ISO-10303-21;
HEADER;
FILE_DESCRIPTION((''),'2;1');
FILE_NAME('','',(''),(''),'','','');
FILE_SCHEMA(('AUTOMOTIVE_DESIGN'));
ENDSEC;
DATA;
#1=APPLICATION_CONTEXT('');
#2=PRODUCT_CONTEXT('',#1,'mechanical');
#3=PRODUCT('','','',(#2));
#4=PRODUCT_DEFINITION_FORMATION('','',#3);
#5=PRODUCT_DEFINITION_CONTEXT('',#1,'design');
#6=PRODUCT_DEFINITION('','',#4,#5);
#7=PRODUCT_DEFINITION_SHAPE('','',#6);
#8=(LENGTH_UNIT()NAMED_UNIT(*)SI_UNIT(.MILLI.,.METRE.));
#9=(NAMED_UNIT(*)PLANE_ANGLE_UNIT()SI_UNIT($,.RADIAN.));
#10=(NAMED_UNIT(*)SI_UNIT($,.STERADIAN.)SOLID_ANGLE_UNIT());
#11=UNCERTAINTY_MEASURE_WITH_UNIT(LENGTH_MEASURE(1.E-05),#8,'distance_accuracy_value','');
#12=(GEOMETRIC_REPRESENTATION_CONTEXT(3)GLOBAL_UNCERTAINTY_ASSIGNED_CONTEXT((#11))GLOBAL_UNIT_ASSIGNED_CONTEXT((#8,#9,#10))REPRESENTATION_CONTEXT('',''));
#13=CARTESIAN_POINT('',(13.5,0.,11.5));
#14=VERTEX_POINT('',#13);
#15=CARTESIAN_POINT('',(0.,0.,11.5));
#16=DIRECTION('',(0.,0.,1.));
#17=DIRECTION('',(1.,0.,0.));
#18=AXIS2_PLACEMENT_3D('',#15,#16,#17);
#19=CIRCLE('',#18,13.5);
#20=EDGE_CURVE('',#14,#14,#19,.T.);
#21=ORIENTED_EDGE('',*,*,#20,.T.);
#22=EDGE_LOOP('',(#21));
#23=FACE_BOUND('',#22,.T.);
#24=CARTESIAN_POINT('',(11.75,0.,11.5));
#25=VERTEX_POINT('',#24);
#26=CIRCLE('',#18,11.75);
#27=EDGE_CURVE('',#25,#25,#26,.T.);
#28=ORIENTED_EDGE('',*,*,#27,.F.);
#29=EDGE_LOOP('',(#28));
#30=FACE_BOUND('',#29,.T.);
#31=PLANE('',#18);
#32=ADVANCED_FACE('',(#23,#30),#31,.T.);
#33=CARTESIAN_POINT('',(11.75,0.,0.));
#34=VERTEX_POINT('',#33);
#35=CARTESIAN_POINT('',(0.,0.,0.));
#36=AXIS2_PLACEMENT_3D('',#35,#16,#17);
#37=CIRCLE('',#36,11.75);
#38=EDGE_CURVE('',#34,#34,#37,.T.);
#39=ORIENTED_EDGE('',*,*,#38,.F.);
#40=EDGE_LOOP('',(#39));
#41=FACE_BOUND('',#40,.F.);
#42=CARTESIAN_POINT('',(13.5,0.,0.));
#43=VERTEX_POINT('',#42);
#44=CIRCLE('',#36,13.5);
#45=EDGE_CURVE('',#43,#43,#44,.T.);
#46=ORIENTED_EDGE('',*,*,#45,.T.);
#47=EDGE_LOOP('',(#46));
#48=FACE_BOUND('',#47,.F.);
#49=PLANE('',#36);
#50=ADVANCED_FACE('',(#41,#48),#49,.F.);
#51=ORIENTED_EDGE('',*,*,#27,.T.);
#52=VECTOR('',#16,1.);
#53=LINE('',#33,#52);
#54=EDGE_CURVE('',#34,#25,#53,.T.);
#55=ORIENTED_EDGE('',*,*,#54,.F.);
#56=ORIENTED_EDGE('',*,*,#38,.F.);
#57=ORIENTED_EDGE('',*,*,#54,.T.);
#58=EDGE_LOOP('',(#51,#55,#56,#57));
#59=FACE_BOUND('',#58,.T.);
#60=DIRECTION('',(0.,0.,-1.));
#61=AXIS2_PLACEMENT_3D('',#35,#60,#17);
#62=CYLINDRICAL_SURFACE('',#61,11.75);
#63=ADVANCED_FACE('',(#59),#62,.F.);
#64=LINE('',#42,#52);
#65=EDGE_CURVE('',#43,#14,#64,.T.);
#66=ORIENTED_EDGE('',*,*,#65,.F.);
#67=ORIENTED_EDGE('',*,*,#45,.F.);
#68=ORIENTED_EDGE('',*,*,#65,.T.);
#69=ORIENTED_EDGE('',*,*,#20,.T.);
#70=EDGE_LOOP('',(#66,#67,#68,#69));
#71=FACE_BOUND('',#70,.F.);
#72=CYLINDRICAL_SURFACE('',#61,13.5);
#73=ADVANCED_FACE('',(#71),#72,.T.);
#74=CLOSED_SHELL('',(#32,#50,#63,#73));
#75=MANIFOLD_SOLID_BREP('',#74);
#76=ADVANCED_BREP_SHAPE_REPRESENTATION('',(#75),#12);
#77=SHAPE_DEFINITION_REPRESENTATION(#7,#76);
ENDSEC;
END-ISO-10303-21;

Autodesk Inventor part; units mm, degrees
ref_plane "YZ Plane" through (0, 0, 0) normal (1, 0, 0) x (0, 1, 0)
ref_plane "XZ Plane" through (0, 0, 0) normal (0, 1, 0) x (-1, 0, 0)
ref_plane "XY Plane" through (0, 0, 0) normal (0, 0, 1) x (1, 0, 0)
sketch "Sketch1" plane through (0, 0, 0) normal (0, 0, 1) x (1, 0, 0)
  circle A0 centre (0, 0) radius 11.75
  circle A1 centre (0, 0) radius 13.5
  dimension "d0" = 23.5
  dimension "d1" = 27
extrude "Extrusion1" add sketch "Sketch1" along normal blind 11.5
properties part number "cellSTORM_Spacerring_ocular"
